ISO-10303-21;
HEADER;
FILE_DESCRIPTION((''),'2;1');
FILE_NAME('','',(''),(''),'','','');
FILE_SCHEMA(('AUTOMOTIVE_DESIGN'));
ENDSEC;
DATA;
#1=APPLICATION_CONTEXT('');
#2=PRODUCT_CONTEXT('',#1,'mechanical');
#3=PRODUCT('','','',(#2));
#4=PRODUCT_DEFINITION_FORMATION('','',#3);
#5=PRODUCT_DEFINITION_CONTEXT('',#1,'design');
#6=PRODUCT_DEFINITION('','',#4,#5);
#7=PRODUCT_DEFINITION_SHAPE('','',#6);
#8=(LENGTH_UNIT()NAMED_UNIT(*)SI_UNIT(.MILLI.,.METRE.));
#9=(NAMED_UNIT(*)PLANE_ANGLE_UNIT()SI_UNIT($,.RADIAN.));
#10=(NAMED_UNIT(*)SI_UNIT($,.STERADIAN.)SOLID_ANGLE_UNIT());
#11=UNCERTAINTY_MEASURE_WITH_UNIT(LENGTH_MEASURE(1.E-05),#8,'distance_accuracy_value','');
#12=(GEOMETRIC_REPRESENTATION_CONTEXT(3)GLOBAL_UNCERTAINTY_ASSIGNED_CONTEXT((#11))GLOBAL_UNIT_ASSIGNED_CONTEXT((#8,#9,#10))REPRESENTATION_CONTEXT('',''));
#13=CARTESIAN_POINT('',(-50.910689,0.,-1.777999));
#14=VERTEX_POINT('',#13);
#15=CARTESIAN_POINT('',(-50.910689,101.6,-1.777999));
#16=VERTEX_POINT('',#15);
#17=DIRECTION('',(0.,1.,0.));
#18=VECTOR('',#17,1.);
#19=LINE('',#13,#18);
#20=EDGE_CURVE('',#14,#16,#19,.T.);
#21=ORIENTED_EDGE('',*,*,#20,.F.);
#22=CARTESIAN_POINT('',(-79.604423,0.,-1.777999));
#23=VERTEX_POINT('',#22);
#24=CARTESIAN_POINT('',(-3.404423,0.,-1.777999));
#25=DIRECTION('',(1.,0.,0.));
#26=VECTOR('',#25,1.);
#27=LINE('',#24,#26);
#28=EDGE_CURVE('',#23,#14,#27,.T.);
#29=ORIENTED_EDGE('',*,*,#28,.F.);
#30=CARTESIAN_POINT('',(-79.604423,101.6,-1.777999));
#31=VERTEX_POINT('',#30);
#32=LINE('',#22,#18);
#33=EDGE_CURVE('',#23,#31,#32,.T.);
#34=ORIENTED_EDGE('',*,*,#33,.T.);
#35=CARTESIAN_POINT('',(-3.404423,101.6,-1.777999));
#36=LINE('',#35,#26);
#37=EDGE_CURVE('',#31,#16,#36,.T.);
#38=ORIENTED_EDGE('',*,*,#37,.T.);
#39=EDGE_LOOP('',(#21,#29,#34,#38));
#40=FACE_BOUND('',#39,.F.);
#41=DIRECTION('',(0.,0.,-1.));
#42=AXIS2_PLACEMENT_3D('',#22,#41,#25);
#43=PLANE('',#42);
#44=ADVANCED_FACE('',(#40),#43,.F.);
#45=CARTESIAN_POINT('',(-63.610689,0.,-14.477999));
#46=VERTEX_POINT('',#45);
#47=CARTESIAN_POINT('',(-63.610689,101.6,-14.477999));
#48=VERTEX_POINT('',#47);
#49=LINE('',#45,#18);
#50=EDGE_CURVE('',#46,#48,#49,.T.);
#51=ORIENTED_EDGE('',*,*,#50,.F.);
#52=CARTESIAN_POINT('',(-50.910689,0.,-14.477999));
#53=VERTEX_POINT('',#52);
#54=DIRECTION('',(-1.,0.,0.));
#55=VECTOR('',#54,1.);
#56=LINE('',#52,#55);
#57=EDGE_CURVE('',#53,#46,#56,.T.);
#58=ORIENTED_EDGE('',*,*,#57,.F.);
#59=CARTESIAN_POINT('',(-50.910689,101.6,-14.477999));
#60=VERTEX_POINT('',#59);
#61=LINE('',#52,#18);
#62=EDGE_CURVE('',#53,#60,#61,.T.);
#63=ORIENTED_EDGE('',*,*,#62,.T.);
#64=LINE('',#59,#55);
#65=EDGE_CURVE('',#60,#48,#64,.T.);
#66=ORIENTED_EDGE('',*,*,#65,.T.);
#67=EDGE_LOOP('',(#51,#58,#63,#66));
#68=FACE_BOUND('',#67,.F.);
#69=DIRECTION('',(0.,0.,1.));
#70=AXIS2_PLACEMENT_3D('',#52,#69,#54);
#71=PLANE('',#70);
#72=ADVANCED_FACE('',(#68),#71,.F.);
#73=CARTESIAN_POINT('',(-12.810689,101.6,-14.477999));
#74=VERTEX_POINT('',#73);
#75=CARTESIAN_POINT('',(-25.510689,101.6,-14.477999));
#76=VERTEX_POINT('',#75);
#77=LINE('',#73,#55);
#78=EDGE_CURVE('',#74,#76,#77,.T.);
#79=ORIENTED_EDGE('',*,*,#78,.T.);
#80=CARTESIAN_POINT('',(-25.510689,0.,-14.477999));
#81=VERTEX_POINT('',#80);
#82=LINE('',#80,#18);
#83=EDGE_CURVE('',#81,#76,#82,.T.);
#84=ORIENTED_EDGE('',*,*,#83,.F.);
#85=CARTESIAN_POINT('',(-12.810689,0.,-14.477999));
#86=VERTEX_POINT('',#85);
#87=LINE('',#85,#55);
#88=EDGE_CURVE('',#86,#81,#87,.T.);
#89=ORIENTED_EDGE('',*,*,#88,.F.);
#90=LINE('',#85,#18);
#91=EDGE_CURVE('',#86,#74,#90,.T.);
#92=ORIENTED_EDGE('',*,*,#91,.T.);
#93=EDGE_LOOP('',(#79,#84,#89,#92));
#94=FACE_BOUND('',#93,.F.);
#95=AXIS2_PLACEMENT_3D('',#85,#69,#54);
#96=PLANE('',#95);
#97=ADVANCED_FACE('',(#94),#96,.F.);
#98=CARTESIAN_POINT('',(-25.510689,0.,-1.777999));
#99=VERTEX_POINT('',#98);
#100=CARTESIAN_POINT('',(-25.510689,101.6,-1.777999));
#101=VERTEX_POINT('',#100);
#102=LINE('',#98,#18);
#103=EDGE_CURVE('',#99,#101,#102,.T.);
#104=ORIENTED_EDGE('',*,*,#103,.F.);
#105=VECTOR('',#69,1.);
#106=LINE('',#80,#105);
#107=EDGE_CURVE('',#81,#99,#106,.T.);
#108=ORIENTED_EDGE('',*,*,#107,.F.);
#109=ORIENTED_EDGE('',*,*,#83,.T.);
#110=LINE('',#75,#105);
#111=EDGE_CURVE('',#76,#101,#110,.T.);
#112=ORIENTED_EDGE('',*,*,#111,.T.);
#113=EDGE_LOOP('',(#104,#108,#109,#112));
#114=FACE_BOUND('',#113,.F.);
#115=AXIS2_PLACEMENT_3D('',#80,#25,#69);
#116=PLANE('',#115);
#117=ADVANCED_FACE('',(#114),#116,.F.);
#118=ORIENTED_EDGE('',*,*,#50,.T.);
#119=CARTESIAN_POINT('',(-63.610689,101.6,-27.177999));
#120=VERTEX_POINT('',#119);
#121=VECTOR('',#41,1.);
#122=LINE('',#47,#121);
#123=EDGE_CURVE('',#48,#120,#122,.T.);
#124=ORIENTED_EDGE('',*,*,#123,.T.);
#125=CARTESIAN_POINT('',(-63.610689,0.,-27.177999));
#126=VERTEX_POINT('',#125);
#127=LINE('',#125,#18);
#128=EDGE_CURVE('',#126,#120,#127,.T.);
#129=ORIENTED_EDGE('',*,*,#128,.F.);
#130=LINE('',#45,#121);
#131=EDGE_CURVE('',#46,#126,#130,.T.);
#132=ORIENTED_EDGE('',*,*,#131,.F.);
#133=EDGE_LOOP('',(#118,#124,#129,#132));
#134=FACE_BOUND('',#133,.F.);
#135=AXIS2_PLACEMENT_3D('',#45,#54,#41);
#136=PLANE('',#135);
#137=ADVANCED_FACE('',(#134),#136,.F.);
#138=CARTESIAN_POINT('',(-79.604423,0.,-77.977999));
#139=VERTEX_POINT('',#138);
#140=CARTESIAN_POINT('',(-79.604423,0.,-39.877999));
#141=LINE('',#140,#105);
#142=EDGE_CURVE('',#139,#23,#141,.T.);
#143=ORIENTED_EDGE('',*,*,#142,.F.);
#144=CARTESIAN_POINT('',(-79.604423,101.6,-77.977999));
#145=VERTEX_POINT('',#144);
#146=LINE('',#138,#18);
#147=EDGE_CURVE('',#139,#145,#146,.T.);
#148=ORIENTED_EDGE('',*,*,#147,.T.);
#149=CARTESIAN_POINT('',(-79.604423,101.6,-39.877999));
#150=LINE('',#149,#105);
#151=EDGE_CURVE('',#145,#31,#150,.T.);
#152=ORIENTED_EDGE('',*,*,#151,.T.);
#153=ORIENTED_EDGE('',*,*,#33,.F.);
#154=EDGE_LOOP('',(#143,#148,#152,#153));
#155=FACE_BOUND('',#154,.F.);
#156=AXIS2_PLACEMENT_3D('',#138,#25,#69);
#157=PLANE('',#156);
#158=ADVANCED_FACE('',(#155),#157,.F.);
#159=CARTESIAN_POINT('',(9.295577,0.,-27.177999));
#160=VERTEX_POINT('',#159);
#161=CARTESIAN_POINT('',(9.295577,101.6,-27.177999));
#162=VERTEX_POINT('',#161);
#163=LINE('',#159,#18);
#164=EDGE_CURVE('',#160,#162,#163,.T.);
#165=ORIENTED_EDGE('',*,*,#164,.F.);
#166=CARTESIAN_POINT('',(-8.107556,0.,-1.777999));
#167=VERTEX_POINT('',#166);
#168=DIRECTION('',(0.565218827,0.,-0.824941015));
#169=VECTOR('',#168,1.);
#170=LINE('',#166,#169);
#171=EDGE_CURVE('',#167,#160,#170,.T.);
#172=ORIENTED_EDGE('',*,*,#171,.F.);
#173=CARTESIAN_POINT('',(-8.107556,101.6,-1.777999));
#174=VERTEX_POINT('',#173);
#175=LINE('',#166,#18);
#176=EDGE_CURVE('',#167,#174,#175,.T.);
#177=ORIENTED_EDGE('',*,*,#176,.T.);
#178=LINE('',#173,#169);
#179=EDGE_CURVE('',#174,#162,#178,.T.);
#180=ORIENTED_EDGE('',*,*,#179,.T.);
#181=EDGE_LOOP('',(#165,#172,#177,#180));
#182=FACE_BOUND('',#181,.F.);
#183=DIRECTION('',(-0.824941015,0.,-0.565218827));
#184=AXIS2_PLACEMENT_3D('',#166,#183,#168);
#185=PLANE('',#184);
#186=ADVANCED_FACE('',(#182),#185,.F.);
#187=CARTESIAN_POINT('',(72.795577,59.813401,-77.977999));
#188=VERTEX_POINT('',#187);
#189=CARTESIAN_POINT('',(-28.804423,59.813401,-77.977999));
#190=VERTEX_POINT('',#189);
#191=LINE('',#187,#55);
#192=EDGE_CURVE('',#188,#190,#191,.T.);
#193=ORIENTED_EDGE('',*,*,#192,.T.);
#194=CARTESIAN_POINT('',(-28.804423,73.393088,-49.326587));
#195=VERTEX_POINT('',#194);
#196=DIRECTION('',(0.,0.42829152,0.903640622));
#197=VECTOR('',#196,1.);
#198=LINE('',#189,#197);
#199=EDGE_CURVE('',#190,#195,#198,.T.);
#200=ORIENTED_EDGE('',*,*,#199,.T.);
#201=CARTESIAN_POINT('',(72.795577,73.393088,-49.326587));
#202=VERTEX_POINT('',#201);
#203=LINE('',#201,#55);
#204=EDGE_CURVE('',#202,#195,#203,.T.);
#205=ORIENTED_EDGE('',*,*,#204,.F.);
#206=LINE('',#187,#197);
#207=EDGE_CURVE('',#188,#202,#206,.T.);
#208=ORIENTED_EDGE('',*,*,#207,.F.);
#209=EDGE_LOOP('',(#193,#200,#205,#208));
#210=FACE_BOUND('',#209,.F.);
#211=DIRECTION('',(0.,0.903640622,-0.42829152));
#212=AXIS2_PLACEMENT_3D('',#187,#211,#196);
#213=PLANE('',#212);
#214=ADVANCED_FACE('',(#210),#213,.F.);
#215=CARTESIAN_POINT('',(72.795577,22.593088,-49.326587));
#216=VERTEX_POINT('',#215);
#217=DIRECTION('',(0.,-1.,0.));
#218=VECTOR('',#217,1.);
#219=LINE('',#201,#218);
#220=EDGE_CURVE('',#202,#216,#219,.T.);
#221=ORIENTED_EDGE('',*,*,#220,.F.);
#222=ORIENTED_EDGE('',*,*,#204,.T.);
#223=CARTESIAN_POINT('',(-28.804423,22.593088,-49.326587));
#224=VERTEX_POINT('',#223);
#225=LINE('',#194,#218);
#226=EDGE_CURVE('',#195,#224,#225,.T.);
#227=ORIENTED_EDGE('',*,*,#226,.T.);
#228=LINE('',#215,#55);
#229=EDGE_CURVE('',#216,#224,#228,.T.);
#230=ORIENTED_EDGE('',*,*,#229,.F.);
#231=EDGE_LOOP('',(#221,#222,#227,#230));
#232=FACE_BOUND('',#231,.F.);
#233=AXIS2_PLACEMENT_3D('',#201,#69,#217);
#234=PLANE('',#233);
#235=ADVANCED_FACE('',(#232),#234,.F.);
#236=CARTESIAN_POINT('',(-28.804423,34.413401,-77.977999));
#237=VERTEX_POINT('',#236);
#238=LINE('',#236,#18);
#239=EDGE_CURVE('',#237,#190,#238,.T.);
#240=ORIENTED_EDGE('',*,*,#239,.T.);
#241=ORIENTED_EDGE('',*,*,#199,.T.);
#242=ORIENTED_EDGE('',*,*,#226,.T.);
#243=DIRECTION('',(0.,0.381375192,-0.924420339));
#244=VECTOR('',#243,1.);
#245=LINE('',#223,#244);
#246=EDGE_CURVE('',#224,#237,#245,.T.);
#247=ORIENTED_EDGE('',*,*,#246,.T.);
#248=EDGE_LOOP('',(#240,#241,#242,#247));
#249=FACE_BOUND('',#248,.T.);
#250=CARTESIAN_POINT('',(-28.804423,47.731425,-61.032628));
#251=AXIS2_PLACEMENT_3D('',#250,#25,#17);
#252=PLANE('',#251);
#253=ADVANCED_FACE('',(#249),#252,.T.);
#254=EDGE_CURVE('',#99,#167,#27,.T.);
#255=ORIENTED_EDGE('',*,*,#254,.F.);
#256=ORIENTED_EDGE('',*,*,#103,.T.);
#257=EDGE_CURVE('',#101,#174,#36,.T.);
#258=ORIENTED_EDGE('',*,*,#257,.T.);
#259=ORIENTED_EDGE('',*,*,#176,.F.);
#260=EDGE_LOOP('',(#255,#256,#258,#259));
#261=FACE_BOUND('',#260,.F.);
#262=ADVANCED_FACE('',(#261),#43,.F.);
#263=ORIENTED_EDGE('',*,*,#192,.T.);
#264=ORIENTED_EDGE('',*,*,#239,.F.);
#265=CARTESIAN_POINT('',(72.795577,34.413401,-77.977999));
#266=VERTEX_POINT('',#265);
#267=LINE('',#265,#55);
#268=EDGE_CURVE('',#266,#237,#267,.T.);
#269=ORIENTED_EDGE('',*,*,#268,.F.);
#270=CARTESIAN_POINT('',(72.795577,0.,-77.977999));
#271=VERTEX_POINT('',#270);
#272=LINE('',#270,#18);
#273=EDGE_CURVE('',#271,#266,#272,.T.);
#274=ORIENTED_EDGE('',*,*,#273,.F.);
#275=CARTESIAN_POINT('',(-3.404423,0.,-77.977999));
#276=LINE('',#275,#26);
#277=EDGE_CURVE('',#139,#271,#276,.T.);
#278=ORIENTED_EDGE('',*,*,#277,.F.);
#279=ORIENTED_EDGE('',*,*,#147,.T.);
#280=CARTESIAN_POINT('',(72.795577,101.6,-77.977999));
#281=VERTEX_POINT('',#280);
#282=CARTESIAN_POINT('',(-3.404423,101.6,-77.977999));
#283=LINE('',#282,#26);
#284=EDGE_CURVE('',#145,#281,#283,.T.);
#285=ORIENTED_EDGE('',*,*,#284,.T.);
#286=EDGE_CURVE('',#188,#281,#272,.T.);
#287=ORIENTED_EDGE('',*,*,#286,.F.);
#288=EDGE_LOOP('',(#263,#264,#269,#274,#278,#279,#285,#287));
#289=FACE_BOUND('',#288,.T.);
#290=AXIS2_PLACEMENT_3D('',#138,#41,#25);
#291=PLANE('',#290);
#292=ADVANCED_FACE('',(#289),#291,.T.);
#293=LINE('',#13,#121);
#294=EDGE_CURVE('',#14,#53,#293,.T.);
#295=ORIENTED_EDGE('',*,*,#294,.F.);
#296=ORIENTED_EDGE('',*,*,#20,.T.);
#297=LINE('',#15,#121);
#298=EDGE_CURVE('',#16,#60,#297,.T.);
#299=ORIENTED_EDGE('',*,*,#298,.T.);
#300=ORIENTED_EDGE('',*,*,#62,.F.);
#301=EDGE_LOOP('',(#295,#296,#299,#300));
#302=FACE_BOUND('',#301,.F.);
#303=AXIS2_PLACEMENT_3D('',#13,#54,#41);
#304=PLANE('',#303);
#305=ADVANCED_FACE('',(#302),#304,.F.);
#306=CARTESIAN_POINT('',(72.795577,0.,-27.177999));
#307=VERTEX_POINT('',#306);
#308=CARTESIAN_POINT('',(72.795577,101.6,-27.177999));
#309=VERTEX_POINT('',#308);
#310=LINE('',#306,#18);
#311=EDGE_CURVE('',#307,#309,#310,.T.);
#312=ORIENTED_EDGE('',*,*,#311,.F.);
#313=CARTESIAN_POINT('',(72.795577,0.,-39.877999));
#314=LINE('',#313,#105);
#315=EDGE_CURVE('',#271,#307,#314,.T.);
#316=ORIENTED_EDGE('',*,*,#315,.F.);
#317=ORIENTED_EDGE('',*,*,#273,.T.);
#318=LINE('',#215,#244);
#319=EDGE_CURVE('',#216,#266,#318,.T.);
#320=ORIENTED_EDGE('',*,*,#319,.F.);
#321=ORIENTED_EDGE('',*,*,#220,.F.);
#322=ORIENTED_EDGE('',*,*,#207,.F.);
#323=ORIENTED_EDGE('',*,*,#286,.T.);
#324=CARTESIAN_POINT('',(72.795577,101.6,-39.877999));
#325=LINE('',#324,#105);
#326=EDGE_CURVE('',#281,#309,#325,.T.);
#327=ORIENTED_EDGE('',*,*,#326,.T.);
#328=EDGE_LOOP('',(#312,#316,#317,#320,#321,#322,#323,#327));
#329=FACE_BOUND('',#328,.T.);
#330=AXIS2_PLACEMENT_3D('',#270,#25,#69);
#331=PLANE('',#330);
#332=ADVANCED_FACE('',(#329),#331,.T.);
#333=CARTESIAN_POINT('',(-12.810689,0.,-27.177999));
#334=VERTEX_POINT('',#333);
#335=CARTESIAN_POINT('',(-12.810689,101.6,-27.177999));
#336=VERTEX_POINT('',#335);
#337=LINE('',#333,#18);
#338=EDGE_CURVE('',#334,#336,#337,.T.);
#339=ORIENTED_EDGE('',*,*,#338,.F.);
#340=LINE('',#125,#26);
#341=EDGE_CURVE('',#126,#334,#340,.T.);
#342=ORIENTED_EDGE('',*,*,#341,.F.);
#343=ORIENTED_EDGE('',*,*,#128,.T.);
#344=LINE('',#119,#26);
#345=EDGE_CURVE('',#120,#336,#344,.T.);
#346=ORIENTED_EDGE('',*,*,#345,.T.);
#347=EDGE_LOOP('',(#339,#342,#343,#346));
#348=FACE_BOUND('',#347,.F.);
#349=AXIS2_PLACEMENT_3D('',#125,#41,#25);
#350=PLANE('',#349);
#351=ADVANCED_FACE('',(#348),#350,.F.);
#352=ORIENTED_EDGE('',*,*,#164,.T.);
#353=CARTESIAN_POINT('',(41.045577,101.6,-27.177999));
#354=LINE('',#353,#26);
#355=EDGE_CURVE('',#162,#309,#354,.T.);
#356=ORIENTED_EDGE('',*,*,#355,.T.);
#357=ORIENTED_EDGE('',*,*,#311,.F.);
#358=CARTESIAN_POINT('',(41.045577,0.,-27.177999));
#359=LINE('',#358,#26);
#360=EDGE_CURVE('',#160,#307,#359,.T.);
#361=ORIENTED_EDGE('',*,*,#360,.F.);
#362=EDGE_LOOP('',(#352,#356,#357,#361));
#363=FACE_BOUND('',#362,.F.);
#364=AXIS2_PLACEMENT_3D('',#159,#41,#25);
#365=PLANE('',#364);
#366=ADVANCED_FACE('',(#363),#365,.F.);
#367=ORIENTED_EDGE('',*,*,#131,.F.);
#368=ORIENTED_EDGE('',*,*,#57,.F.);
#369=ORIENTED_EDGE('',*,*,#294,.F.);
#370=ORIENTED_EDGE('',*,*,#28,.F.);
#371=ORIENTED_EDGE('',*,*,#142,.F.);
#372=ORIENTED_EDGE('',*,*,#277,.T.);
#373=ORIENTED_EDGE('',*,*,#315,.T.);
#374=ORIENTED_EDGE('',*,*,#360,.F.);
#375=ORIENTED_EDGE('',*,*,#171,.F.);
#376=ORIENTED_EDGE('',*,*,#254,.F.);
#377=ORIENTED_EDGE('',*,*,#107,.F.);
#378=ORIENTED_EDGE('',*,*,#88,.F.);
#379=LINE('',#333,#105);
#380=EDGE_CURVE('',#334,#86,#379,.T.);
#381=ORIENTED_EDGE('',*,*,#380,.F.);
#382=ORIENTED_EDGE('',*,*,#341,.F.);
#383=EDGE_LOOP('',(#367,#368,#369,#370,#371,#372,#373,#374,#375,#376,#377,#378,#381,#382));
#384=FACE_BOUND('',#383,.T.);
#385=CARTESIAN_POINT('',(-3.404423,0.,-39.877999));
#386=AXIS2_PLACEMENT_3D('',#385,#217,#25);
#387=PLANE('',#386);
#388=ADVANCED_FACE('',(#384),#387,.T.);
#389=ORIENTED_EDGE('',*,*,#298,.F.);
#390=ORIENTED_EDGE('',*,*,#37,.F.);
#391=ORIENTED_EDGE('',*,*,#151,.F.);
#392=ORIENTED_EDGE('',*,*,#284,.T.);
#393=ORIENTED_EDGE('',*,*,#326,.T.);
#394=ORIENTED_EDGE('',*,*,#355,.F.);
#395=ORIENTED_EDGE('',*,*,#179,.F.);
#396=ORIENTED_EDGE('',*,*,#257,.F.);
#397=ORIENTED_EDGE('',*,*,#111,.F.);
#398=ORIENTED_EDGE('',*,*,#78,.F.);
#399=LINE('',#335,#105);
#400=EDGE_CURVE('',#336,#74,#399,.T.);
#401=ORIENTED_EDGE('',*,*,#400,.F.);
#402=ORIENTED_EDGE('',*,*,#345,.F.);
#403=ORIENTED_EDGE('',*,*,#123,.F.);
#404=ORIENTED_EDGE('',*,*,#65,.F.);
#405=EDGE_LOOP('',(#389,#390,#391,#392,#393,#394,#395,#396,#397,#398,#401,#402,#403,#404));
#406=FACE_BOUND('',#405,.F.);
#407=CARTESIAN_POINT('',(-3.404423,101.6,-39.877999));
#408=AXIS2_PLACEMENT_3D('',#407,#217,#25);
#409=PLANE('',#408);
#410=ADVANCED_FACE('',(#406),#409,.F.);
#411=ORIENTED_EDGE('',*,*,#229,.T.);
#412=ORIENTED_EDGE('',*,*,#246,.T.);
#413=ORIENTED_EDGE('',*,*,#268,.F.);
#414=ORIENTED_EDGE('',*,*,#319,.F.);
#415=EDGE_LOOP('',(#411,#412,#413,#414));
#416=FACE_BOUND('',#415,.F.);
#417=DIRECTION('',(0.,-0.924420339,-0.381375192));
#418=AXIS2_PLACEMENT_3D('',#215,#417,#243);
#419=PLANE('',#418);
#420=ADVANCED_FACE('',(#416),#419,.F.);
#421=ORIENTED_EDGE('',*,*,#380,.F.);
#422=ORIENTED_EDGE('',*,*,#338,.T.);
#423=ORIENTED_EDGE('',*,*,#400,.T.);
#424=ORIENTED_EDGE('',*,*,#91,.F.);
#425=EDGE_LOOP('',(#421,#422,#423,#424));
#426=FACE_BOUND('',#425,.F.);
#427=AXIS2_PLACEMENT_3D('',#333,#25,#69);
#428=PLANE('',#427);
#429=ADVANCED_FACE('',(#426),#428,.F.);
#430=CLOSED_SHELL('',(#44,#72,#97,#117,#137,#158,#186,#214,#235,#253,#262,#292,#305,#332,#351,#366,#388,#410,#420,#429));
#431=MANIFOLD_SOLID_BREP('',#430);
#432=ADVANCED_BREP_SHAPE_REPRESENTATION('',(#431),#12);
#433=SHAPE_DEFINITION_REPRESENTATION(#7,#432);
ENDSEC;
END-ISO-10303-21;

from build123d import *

# Parameters (mm, degrees)
F0_W     = 152.4
F0_H     = 76.2
F1_DEPTH = 101.6
F3_DEPTH = 101.6
F5_DEPTH = 101.6
F6_W     = 63.5
F6_H     = 25.4
F7_DEPTH = 101.6
F9_DEPTH = 101.6


with BuildPart() as f1:
    # F0 (on Front) → F1 (new body)
    with BuildSketch(Plane.XZ):
        with Locations((-3.404423, -39.877999)):
            Rectangle(F0_W, F0_H)
    extrude(amount=-F1_DEPTH)

    # F2 (on face) → F3 (cut)
    with BuildSketch(Plane.XZ):
        Polygon((-25.510689, -1.777999), (-50.910689, -1.777999), (-50.910689, -14.477999), (-63.610689, -14.477999), (-63.610689, -27.177999), (-12.810689, -27.177999), (-12.810689, -14.477999), (-25.510689, -14.477999), align=None)
    extrude(amount=-F3_DEPTH, mode=Mode.SUBTRACT)

    # F4 (on face) → F5 (cut)
    with BuildSketch(Plane.YZ.offset(72.795577)):
        Polygon((73.393088, -49.326587), (22.593088, -49.326587), (34.413401, -77.977999), (59.813401, -77.977999), align=None)
    extrude(amount=-F5_DEPTH, mode=Mode.SUBTRACT)

    # F6 (on face) → F7 (cut)
    with BuildSketch(Plane.XZ):
        with Locations((41.045577, -14.477999)):
            Rectangle(F6_W, F6_H)
    extrude(amount=-F7_DEPTH, mode=Mode.SUBTRACT)

    # F8 (on face) → F9 (cut)
    with BuildSketch(Plane.XZ):
        Polygon((9.295577, -1.777999), (-8.107556, -1.777999), (9.295577, -27.177999), align=None)
    extrude(amount=-F9_DEPTH, mode=Mode.SUBTRACT)


solid = f1.part
